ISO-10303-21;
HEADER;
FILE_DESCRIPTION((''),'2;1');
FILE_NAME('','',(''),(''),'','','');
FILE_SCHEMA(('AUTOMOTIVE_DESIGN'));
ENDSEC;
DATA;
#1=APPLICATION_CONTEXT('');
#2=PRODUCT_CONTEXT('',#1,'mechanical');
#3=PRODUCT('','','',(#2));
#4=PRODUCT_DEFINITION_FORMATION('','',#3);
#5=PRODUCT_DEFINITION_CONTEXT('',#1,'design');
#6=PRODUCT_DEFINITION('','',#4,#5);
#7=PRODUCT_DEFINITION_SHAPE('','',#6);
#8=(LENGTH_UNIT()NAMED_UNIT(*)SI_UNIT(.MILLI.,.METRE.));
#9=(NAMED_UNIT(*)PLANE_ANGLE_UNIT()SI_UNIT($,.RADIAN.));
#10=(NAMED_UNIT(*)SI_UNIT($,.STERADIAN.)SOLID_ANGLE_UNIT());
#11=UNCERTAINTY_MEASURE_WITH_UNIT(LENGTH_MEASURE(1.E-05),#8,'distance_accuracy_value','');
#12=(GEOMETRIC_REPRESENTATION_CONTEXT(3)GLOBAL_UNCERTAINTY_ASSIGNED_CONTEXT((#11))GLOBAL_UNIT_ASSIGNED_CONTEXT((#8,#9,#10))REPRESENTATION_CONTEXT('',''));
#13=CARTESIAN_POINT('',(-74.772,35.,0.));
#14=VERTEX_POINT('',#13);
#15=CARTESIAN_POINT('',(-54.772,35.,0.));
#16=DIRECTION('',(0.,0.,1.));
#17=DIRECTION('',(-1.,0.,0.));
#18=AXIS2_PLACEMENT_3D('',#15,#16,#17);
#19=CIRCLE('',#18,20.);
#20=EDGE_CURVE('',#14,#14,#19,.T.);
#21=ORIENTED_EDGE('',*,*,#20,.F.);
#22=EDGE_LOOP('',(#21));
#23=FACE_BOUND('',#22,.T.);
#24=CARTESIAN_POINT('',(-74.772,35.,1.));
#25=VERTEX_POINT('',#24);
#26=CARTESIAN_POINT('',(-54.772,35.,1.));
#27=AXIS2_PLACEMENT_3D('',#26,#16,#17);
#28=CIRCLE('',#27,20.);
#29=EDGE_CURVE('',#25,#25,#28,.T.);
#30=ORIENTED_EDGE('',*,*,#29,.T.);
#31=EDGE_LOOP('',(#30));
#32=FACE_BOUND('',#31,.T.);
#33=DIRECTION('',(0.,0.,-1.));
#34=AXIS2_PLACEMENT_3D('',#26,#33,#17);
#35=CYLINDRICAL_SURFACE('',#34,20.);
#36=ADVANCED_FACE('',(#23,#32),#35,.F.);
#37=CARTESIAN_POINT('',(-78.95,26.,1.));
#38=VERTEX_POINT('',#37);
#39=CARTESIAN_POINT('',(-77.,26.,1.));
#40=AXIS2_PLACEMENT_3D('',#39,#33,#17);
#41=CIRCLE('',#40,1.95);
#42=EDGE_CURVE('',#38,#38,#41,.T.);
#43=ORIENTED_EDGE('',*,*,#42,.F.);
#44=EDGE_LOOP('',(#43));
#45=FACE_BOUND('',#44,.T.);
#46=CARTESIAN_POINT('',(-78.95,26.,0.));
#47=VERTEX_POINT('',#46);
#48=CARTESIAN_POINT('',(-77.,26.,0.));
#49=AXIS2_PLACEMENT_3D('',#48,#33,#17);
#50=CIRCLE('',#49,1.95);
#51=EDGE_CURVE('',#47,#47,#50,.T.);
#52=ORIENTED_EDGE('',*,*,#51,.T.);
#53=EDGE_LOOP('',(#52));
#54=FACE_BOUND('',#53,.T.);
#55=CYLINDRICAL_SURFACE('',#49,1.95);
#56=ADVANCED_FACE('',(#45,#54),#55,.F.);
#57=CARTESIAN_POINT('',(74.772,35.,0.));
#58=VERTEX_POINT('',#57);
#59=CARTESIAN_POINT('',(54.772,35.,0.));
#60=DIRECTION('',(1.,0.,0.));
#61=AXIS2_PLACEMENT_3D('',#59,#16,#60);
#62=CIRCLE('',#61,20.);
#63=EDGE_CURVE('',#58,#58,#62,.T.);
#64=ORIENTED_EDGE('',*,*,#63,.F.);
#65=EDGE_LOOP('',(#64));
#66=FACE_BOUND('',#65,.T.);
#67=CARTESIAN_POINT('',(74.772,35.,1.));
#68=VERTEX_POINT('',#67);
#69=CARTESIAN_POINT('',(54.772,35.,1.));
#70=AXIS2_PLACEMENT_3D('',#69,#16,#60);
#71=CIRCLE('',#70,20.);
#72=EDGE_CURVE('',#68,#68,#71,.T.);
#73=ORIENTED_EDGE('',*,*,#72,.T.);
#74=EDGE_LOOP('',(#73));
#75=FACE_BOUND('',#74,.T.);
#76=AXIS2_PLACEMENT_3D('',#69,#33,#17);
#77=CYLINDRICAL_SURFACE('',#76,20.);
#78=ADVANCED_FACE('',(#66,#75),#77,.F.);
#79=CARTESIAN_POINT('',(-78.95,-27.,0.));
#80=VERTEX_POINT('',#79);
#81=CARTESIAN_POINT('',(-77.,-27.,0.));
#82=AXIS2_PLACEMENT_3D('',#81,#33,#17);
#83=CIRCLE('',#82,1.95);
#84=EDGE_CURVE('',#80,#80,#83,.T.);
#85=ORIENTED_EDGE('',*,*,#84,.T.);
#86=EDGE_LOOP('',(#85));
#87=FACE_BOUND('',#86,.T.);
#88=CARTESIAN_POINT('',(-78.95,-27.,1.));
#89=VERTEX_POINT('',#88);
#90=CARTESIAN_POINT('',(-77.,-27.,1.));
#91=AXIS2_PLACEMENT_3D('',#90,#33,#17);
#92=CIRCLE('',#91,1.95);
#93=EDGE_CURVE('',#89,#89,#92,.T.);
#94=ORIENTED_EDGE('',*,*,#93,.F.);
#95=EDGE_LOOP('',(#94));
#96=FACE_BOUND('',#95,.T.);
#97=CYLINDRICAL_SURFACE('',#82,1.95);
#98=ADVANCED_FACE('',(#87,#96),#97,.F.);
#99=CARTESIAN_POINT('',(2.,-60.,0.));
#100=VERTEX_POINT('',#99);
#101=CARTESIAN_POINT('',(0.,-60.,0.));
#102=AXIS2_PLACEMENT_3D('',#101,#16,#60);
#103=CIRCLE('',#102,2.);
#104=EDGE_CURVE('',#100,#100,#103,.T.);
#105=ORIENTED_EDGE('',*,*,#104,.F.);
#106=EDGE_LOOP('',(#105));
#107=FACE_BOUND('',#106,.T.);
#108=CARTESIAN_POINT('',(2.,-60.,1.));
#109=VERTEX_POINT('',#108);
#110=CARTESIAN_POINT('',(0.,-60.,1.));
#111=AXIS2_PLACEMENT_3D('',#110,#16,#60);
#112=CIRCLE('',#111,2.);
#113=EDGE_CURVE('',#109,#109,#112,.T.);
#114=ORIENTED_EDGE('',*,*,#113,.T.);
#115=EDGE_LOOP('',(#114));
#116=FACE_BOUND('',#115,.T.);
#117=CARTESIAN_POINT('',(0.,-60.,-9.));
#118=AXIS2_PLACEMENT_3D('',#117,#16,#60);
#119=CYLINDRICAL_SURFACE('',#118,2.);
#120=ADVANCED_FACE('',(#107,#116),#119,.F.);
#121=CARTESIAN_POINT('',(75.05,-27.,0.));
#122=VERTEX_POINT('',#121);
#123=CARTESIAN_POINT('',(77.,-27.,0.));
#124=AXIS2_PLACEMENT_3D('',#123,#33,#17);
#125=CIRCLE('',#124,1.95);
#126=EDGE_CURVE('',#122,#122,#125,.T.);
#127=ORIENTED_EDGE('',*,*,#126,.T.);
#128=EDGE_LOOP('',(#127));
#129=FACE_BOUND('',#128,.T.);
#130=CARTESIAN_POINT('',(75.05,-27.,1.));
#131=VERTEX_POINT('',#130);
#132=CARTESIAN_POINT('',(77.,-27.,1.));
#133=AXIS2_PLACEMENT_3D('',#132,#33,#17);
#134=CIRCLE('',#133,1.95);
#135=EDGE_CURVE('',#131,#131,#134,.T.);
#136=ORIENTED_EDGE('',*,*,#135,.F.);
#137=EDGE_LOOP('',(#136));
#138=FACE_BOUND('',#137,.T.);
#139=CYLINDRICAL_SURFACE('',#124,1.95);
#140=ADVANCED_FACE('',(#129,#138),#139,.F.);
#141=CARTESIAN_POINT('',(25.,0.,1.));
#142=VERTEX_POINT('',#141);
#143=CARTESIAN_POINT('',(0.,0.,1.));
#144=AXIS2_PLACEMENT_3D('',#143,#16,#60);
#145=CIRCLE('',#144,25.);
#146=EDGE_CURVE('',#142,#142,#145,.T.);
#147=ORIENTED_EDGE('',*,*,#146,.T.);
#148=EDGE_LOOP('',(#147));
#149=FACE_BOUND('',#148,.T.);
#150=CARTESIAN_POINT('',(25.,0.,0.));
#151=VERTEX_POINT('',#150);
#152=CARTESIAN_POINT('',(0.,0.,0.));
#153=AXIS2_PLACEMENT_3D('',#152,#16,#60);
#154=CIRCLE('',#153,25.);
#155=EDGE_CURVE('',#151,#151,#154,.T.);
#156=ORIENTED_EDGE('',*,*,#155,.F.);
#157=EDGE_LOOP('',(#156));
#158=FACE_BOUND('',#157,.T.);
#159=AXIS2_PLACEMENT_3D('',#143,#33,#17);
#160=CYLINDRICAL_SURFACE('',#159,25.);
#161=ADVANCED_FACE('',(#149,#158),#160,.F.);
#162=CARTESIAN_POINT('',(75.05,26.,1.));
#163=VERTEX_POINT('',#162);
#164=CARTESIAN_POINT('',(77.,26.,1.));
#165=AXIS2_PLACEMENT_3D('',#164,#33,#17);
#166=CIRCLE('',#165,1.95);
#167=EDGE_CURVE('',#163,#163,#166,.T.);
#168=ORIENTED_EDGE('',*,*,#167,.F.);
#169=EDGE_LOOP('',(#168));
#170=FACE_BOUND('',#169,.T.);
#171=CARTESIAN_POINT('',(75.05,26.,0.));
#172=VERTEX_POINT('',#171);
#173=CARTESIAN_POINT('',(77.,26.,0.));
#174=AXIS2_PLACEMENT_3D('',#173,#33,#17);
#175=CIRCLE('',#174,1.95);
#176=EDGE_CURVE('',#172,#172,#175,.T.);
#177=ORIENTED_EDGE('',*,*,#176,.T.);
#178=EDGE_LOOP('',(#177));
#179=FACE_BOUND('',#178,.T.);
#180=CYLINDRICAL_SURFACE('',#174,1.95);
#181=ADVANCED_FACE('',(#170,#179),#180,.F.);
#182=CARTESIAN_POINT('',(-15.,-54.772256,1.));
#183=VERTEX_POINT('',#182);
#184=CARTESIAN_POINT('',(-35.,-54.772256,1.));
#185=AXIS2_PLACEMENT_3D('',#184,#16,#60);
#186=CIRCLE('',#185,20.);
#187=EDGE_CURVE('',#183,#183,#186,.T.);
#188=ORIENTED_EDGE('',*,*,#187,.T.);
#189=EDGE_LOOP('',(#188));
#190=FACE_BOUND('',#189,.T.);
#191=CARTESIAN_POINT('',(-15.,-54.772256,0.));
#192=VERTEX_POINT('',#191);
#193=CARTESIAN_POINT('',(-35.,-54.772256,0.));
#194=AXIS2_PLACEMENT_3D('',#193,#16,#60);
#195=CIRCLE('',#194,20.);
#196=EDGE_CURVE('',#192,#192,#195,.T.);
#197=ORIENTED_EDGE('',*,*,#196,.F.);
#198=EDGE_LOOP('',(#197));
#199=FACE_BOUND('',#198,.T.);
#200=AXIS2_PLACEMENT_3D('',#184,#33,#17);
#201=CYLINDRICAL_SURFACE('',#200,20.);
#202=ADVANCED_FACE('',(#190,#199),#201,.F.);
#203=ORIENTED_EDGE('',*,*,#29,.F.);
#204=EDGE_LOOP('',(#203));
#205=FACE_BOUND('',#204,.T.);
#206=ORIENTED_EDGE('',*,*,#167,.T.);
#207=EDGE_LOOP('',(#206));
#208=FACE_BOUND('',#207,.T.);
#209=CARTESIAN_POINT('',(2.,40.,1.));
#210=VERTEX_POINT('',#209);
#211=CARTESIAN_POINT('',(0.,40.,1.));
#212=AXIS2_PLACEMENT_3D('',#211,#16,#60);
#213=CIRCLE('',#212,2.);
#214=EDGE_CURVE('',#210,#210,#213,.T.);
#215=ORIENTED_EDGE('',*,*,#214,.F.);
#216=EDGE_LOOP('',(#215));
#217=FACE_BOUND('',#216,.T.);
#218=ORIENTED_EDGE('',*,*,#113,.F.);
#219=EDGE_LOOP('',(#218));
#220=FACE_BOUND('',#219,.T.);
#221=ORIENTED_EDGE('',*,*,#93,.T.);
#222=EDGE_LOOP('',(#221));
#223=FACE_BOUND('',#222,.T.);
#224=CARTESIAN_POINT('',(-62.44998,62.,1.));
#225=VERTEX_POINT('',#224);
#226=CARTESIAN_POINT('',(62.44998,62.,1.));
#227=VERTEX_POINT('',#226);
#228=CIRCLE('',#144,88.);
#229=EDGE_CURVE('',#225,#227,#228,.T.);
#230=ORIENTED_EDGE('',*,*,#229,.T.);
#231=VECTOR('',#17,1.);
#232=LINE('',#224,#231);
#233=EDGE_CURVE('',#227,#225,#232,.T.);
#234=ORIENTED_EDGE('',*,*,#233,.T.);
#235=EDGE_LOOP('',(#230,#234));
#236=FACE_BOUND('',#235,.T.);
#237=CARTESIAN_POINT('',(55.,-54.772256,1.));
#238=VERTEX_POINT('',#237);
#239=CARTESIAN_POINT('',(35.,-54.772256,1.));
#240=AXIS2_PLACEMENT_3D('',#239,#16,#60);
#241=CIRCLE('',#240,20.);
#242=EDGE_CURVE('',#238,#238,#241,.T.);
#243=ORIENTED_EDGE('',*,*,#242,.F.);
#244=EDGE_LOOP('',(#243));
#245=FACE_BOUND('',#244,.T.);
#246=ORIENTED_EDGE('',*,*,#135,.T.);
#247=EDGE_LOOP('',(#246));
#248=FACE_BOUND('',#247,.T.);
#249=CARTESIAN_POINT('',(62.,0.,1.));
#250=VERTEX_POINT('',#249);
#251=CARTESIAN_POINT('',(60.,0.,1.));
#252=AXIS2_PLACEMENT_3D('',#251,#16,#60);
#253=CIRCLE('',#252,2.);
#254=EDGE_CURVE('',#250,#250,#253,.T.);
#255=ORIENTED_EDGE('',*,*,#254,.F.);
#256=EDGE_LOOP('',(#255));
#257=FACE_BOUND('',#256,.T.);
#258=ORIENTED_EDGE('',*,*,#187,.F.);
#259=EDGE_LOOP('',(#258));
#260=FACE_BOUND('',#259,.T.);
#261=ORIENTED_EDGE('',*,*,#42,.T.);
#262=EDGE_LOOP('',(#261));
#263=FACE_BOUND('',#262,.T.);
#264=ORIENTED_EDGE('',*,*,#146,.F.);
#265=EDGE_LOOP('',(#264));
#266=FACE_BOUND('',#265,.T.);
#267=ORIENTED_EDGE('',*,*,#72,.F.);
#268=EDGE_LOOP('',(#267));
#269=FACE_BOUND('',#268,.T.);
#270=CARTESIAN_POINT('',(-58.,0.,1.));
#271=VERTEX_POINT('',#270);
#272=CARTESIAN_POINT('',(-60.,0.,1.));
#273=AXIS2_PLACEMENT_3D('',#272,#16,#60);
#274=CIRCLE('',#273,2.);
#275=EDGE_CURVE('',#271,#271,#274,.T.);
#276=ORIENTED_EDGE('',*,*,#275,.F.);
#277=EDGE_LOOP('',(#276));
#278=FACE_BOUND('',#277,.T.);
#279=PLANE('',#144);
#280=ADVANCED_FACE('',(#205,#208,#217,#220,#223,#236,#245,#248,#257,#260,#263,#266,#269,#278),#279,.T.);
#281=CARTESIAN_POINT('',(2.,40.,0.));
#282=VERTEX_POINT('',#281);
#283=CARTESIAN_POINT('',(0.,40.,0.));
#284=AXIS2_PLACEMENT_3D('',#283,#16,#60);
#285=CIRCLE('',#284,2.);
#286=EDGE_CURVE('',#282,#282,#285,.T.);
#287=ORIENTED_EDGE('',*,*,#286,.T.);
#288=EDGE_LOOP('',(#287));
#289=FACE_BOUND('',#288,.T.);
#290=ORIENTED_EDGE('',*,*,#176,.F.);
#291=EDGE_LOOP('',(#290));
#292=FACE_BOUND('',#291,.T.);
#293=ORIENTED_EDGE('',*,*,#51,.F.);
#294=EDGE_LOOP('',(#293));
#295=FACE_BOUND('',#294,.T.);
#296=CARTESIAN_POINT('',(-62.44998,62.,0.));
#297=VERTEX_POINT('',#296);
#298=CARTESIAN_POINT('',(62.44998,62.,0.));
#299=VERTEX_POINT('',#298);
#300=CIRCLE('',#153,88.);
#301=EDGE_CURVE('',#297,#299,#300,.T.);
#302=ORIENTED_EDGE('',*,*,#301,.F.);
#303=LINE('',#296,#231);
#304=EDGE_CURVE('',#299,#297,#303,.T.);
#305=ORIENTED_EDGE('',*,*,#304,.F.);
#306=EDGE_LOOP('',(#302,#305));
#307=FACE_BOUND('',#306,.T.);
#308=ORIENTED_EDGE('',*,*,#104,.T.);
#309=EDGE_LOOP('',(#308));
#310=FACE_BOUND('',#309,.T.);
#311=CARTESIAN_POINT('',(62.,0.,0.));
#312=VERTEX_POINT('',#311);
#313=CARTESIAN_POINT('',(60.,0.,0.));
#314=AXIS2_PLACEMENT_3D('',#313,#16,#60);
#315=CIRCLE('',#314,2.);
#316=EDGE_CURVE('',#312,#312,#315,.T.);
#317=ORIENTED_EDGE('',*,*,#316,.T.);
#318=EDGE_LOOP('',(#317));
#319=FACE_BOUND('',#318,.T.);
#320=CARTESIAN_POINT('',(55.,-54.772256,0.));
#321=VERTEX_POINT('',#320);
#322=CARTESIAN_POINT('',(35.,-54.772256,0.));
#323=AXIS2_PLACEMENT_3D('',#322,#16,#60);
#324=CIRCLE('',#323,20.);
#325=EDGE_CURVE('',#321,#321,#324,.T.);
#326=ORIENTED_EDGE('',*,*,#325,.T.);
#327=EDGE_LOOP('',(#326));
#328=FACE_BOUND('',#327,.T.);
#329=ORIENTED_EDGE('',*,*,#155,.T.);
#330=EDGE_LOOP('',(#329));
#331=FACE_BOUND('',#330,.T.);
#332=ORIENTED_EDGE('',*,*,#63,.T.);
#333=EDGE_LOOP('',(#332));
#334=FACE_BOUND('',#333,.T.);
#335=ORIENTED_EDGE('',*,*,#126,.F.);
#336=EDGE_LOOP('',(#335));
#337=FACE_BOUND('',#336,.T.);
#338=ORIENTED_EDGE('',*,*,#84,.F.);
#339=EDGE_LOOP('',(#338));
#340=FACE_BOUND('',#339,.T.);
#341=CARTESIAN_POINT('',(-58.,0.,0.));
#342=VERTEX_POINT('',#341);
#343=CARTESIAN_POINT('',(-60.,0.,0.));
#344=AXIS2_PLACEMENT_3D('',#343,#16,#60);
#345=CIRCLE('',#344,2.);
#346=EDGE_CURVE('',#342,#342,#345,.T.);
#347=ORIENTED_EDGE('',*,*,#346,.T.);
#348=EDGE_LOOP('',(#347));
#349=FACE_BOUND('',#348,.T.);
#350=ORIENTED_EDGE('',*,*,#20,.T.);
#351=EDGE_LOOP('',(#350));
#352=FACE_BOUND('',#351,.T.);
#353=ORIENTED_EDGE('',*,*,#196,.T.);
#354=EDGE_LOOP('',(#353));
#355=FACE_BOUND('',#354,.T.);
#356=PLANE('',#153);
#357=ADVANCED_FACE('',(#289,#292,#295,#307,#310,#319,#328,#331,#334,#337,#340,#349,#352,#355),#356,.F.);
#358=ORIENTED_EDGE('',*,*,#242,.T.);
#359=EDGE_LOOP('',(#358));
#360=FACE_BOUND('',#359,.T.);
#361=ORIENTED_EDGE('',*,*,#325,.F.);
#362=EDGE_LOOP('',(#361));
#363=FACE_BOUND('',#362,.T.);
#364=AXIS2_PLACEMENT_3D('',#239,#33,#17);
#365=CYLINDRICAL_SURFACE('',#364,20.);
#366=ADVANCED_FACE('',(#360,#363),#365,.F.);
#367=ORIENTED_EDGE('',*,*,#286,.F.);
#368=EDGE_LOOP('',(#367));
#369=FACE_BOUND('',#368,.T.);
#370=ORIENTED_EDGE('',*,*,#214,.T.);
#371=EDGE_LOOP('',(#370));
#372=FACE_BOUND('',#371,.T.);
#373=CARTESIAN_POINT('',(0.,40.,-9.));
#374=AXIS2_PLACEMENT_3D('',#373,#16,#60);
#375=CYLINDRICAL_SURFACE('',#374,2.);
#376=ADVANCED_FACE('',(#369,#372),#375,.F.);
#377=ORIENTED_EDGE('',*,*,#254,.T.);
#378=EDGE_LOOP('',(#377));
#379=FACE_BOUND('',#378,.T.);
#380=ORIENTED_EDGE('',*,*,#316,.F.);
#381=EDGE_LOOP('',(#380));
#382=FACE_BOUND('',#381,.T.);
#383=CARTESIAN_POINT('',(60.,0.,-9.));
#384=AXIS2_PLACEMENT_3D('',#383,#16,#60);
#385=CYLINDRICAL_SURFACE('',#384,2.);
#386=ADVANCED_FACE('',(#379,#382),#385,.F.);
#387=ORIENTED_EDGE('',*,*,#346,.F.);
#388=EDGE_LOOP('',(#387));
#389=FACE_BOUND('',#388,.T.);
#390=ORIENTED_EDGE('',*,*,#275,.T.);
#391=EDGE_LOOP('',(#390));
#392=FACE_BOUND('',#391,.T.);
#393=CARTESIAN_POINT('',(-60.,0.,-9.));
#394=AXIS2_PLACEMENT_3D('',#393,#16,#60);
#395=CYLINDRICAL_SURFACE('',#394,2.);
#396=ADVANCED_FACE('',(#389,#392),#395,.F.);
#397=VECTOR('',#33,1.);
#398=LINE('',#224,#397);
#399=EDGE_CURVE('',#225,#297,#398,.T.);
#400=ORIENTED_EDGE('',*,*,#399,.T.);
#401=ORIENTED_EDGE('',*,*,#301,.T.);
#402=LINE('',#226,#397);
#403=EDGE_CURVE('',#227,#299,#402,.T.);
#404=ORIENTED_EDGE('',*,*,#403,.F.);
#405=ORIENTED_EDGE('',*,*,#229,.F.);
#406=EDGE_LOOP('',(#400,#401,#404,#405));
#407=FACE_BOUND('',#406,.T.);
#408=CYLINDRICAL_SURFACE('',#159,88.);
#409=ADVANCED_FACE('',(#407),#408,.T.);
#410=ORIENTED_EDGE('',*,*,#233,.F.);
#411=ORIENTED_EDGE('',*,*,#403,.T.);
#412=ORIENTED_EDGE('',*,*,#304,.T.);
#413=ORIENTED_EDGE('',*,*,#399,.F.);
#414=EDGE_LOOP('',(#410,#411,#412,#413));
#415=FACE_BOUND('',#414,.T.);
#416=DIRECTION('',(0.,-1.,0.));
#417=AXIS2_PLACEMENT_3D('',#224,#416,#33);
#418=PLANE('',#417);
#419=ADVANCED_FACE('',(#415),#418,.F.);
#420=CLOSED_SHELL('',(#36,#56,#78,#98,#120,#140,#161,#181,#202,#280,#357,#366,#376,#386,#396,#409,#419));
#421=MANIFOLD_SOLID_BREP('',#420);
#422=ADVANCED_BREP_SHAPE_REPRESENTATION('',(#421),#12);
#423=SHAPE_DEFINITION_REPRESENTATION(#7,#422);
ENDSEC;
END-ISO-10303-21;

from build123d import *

# Parameters (mm, degrees)
SKETCH_1_R              = 25
SKETCH_1_R_2            = 20
EXTRUDE_1_DEPTH         = 1
HOLE_WIZARD_3_9_3_9_1_D = 3.9
SKETCH_4_R              = 2
CUT_EXTRUDE_1_DEPTH     = 10


with BuildPart() as part:
    # 草图1 → 凸台-拉伸1 (new body)
    with BuildSketch(Plane.XY):
        with BuildLine():
            Line((-62.449979984, 62), (62.449979984, 62))
            ThreePointArc((62.449979984, 62), (0, -88), (-62.449979984, 62))
        make_face()
        Circle(SKETCH_1_R, mode=Mode.SUBTRACT)
        with Locations((54.772, 35)):
            Circle(SKETCH_1_R_2, mode=Mode.SUBTRACT)
        with Locations(Location((-54.772, 35, 0), (0, 0, 180))):
            Circle(SKETCH_1_R_2, mode=Mode.SUBTRACT)
        with Locations((35, -54.772255751)):
            Circle(SKETCH_1_R_2, mode=Mode.SUBTRACT)
        with Locations((-35, -54.772255751)):
            Circle(SKETCH_1_R_2, mode=Mode.SUBTRACT)
    extrude(amount=EXTRUDE_1_DEPTH)

    # Ø3.9 (3.9) 直径孔1 (through all)
    with Locations(Plane(origin=(0, 0, 0), x_dir=(-1, 0, 0), z_dir=(0, 0, -1))):
        with Locations((-77, 26), (-77, -27), (77, -27), (77, 26)):
            Hole(HOLE_WIZARD_3_9_3_9_1_D / 2)

    # 草图4 → 切除-拉伸1 (cut)
    with BuildSketch(Plane.XY.offset(1)):
        with Locations((-60, 0)):
            Circle(SKETCH_4_R)
        with Locations((0, 40)):
            Circle(SKETCH_4_R)
        with Locations((60, 0)):
            Circle(SKETCH_4_R)
        with Locations((0, -60)):
            Circle(SKETCH_4_R)
    extrude(amount=-CUT_EXTRUDE_1_DEPTH, mode=Mode.SUBTRACT)


solid = part.part
